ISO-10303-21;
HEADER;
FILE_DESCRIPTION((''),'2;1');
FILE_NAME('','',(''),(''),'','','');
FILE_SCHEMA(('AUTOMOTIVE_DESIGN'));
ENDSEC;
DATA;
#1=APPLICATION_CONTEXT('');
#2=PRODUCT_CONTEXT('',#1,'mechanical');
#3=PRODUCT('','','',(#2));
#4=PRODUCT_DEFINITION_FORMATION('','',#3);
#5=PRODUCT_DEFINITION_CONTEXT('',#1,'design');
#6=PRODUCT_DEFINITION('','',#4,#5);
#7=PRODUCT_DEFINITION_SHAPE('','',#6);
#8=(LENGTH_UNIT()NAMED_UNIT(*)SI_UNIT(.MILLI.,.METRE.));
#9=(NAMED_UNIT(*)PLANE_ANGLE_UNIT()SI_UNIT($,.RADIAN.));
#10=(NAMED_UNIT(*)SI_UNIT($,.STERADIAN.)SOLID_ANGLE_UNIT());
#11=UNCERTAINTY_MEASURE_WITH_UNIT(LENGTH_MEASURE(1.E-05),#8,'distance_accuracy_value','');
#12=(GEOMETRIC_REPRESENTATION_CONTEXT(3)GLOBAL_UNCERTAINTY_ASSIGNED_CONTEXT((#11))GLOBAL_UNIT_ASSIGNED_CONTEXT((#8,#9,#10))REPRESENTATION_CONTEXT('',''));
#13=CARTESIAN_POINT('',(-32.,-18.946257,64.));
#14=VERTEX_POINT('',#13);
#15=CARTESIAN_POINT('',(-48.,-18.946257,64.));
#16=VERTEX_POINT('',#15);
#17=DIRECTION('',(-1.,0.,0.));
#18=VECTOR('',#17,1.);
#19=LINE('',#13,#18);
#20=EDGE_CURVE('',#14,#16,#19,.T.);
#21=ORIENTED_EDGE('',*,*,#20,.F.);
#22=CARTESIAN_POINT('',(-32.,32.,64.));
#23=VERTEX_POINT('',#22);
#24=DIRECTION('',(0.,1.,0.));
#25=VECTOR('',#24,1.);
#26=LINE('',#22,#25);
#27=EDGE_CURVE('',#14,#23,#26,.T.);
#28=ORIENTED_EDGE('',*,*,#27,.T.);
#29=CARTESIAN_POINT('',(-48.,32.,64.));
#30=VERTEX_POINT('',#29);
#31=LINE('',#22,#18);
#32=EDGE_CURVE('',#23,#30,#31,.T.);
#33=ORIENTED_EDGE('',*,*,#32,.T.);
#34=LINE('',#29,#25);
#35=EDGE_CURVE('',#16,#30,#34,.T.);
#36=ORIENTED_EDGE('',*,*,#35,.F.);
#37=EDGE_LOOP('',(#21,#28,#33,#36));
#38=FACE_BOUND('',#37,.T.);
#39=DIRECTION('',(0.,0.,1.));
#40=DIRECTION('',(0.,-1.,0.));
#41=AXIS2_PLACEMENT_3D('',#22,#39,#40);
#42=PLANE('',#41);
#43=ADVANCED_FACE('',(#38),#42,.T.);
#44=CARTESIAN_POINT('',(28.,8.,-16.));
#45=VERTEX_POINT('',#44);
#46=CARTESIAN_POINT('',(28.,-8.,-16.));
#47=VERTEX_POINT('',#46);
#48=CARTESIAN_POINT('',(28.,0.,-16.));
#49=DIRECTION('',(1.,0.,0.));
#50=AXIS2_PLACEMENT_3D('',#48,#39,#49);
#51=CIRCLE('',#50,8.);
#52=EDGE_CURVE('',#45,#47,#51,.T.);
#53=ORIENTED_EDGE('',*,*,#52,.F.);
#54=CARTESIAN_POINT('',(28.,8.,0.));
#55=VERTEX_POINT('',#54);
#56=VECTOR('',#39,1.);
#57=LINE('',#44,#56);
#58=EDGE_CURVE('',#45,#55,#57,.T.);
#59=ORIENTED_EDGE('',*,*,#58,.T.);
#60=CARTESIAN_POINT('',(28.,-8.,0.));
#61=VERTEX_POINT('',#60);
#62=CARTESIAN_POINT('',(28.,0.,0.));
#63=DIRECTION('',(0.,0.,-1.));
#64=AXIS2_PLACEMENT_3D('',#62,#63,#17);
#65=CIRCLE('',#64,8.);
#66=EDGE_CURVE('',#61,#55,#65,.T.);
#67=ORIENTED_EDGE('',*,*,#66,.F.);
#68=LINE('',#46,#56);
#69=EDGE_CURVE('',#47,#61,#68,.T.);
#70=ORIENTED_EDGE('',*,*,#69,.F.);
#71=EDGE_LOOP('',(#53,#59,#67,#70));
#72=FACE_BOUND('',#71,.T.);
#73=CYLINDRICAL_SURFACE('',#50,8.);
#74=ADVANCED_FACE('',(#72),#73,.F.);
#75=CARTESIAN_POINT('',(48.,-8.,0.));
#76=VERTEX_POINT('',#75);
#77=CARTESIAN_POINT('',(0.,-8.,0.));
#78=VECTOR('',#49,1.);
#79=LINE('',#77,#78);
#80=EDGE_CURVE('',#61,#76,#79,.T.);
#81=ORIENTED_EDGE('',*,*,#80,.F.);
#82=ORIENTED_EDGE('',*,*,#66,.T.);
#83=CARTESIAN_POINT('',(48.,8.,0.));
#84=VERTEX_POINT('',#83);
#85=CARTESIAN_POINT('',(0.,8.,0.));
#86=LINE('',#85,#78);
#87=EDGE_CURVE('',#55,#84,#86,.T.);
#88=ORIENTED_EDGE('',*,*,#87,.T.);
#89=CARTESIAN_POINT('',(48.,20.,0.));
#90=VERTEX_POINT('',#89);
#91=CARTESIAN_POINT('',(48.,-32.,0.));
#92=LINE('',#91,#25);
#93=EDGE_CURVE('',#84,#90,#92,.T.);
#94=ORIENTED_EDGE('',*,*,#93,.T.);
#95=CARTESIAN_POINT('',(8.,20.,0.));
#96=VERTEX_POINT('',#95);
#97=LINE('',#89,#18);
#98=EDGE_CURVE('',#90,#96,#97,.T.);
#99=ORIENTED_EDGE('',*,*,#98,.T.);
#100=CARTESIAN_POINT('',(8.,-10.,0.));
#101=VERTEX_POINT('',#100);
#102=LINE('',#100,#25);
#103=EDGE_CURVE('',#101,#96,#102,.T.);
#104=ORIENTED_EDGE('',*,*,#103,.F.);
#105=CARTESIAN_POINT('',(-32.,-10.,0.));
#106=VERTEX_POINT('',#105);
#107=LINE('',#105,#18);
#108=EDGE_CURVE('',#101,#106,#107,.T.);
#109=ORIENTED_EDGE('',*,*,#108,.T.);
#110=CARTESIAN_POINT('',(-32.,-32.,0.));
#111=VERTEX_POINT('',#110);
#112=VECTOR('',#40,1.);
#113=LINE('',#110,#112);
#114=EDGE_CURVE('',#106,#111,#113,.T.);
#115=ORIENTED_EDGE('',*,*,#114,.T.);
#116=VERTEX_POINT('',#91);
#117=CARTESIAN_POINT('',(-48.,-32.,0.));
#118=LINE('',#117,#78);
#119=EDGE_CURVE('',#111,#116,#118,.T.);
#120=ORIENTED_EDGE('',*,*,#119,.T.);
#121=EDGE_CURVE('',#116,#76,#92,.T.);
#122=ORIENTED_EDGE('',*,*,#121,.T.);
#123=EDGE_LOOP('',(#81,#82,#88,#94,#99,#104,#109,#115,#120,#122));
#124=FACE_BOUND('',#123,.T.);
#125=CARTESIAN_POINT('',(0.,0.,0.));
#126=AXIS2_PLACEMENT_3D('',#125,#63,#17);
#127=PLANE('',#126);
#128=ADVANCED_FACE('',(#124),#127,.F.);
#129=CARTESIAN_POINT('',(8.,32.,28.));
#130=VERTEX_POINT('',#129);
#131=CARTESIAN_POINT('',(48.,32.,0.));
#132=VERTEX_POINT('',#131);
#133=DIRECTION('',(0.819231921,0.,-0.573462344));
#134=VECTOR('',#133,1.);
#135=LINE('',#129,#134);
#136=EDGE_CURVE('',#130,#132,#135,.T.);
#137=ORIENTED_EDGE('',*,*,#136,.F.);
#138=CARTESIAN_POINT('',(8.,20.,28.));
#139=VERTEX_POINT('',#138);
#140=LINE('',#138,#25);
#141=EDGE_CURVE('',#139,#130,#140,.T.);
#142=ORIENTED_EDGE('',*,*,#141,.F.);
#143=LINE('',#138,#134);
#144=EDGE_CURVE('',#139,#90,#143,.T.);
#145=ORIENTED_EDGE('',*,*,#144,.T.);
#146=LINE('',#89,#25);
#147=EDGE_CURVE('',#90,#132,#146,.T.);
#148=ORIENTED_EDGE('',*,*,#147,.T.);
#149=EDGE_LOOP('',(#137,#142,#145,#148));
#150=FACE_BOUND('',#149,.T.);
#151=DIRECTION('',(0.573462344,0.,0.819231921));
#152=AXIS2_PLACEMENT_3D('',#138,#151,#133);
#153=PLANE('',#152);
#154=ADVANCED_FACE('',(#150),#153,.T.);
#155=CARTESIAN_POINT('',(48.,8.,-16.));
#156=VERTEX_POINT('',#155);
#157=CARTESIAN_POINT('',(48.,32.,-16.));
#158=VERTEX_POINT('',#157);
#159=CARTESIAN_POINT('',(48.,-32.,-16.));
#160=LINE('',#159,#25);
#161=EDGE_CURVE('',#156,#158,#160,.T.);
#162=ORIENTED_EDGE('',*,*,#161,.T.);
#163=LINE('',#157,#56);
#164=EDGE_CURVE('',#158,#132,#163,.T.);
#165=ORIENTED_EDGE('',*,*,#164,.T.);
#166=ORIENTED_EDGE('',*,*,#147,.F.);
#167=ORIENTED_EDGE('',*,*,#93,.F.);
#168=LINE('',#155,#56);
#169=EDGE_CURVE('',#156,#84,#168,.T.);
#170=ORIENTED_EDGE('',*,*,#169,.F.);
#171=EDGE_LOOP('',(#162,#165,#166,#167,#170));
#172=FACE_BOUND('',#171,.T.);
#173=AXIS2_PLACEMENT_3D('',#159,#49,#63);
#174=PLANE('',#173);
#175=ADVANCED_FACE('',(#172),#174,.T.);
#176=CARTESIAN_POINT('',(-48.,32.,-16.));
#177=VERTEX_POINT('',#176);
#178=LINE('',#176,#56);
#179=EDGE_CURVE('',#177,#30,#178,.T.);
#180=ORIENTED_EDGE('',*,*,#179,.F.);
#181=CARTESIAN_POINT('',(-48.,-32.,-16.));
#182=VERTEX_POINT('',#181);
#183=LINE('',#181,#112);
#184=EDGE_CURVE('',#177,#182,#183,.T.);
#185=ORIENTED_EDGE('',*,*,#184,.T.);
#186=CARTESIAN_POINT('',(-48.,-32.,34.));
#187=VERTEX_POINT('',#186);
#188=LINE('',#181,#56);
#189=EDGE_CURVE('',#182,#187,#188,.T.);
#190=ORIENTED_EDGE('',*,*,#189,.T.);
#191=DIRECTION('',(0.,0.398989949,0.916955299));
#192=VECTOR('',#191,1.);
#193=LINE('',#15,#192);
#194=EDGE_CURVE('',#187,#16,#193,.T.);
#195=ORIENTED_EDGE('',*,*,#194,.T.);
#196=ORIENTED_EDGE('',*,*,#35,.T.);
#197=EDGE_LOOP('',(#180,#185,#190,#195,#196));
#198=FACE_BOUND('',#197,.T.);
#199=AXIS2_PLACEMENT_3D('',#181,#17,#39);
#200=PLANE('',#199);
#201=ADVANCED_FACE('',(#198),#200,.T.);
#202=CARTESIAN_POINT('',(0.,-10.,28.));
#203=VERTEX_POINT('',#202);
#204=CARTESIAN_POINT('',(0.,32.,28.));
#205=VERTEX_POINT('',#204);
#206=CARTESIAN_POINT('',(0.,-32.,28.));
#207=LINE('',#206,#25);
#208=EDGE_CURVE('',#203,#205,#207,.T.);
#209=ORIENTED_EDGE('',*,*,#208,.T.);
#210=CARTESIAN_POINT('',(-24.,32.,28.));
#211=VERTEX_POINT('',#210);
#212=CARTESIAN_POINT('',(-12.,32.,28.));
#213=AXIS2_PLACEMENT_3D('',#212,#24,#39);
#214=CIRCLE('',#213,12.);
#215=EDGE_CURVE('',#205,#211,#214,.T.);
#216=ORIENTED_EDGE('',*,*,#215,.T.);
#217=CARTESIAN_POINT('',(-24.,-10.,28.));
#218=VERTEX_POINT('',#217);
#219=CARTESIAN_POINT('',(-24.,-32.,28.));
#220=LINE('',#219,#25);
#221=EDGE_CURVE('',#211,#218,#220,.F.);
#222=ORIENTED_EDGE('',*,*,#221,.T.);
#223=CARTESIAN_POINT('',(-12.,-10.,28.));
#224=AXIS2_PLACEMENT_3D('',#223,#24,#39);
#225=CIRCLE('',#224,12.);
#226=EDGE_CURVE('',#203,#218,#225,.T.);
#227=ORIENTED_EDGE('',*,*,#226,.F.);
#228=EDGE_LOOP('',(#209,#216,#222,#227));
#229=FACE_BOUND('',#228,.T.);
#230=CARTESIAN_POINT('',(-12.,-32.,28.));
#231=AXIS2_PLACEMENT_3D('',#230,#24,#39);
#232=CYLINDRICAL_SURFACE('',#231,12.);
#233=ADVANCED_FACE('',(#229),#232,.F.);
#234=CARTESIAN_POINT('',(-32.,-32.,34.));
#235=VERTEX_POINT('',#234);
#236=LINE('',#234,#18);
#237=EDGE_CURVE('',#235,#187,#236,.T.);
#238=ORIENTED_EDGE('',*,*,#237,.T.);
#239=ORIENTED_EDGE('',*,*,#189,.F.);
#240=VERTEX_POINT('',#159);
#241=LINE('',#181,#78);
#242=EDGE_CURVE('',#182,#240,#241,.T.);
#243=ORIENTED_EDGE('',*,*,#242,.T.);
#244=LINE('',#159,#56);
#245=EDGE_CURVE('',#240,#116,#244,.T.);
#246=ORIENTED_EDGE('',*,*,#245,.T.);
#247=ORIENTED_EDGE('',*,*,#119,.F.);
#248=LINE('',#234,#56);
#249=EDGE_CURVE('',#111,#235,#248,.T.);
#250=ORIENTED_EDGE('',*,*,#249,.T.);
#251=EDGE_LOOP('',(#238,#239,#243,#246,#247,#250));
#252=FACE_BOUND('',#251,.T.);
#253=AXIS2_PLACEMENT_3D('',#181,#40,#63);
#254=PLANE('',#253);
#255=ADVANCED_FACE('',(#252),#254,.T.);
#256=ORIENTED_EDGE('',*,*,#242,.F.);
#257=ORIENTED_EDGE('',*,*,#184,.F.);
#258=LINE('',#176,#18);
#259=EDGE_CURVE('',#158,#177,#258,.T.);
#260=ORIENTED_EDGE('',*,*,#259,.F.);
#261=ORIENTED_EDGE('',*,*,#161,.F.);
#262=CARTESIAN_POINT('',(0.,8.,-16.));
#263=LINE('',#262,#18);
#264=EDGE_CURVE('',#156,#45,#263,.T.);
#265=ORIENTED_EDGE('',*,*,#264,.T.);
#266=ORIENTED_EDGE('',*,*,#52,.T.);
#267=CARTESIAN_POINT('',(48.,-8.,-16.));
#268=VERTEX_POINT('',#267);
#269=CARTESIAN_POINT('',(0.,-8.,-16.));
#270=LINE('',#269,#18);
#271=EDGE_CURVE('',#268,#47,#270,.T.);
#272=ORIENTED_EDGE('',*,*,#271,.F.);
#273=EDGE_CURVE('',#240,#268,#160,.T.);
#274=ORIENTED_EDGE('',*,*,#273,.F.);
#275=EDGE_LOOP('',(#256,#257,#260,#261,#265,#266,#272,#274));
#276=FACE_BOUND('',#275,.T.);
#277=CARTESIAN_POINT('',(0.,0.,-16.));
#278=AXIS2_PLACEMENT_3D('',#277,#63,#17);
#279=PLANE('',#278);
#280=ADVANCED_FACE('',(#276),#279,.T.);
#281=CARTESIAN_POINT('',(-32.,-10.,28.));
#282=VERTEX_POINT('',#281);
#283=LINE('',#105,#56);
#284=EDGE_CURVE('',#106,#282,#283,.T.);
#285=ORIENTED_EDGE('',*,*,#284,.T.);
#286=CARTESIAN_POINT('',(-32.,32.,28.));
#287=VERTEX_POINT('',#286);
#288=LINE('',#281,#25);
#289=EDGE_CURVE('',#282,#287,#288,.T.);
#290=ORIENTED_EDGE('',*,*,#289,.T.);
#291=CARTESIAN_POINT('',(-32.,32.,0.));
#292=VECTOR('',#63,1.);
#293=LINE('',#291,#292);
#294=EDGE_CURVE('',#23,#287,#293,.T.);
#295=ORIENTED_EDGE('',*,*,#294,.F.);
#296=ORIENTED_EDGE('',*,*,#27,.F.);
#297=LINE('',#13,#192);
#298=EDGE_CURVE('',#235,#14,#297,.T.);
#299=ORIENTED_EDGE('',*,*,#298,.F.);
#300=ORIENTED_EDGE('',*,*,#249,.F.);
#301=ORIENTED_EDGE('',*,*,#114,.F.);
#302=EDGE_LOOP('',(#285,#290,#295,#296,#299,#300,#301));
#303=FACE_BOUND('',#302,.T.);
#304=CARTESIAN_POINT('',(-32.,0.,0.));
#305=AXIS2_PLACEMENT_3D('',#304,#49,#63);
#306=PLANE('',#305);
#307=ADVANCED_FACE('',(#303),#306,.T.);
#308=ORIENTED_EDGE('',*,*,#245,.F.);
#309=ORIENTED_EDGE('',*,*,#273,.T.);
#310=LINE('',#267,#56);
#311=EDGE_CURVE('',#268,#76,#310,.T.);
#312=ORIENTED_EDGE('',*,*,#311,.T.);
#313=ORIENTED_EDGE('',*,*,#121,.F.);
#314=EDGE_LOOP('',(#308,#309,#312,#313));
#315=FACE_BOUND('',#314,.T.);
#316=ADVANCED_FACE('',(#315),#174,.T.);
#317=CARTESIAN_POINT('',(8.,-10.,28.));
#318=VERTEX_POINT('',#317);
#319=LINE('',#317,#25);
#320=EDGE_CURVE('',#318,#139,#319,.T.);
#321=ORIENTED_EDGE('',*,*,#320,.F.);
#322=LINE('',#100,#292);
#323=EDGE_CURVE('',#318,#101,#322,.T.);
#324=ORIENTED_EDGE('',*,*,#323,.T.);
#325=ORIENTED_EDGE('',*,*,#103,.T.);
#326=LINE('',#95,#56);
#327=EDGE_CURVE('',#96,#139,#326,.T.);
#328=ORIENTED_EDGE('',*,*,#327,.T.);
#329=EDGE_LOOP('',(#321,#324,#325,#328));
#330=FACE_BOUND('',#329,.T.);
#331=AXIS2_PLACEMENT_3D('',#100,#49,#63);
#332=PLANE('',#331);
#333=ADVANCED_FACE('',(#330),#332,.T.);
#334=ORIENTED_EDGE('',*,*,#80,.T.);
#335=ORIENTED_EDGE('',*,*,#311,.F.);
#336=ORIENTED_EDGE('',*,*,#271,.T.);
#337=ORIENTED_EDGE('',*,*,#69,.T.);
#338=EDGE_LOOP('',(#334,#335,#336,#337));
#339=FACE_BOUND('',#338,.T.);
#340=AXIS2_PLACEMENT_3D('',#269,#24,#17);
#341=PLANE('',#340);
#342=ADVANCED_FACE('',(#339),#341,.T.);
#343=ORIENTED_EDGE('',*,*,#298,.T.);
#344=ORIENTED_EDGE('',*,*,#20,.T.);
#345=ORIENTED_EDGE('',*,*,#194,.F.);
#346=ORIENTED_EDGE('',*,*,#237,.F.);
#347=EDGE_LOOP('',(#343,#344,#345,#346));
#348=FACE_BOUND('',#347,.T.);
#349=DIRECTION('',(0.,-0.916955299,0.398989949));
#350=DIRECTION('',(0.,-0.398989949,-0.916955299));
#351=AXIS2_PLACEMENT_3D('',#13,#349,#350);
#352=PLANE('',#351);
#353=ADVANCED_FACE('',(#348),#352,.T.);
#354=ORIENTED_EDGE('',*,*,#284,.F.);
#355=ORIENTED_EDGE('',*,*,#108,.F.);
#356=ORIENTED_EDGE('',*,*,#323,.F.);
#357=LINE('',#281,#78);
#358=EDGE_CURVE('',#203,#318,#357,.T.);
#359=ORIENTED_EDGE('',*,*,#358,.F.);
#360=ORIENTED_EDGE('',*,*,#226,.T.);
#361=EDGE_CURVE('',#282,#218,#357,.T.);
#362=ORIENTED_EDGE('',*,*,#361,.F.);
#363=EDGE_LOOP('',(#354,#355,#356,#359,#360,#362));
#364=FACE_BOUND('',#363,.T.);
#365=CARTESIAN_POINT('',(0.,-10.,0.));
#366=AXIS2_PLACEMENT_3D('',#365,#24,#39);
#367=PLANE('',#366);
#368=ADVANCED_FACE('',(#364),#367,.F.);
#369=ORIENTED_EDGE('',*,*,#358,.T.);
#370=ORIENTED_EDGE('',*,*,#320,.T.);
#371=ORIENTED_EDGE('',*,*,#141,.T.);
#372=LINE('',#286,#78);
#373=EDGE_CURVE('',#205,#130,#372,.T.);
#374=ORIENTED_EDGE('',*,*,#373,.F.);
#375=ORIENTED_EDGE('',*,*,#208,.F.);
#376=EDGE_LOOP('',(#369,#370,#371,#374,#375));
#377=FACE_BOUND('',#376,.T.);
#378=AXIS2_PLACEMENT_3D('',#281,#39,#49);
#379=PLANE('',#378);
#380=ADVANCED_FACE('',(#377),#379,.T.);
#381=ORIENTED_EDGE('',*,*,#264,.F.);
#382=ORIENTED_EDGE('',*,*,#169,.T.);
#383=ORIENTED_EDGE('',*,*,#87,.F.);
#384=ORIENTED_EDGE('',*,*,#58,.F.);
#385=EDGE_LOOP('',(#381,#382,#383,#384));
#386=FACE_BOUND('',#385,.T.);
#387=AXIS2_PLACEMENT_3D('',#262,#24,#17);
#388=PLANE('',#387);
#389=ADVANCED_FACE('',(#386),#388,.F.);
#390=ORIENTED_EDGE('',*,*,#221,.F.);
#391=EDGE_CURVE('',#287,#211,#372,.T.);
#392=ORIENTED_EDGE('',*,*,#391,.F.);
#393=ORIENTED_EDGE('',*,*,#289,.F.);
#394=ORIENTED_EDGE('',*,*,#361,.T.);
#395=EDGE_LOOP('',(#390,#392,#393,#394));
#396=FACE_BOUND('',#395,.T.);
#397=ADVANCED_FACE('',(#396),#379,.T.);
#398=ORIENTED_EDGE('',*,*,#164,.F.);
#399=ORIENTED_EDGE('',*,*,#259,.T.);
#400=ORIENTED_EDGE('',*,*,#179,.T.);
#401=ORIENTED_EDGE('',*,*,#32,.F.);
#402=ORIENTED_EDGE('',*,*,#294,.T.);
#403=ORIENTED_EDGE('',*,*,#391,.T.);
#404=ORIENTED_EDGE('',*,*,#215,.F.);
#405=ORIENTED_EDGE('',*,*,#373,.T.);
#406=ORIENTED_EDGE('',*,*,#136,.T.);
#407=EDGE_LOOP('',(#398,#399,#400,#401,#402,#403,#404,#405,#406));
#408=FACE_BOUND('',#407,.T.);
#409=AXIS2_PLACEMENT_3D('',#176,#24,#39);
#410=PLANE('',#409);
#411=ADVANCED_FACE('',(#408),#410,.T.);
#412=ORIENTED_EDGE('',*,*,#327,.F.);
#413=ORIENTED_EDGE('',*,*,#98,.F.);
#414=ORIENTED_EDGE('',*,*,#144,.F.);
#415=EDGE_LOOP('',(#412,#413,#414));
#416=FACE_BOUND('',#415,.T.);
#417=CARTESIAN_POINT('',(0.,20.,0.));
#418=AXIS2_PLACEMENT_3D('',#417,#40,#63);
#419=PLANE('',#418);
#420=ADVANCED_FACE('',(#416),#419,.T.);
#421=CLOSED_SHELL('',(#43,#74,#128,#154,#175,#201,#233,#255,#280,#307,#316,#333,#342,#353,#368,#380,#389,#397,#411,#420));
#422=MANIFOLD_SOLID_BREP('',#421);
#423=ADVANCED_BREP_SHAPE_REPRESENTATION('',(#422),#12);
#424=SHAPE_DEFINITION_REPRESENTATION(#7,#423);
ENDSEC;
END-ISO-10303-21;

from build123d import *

# Parameters (mm, degrees)
SKETCH1_W               = 96
SKETCH1_H               = 64
BOSS_EXTRUDE1_DEPTH     = 16
BOSS_EXTRUDE2_DEPTH     = 16
SKETCH3_W               = 40
SKETCH3_H               = 28
BOSS_EXTRUDE3_DEPTH     = 42
BOSS_EXTRUDE4_DEPTH     = 12
CUT_EXTRUDE1_DEPTH      = 87.162636914
CUT_EXTRUDE1_DEPTH_BACK = 87.162636914
SKETCH6_R               = 12
CUT_EXTRUDE2_DEPTH      = 103.449987799


with BuildPart() as part:
    # Sketch1 → Boss-Extrude1 (new body)
    with BuildSketch(Plane.XY):
        Rectangle(SKETCH1_W, SKETCH1_H)
    extrude(amount=-BOSS_EXTRUDE1_DEPTH)

    # Sketch2 → Boss-Extrude2 (add)
    with BuildSketch(Plane.ZY.offset(48)):
        Polygon((0, 32), (64, 32), (64, -18.946257373), (34, -32), (0, -32), align=None)
    extrude(amount=-BOSS_EXTRUDE2_DEPTH)

    # Sketch3 → Boss-Extrude3 (add)
    with BuildSketch(Plane(origin=(0, 32, 0), x_dir=(1, 0, 0), z_dir=(0, 1, 0))):
        with Locations((-12, -14)):
            Rectangle(SKETCH3_W, SKETCH3_H)
    extrude(amount=-BOSS_EXTRUDE3_DEPTH)

    # Sketch4 → Boss-Extrude4 (add)
    with BuildSketch(Plane(origin=(0, 32, 0), x_dir=(1, 0, 0), z_dir=(0, 1, 0))):
        Polygon((8, -28), (48, 0), (8, 0), align=None)
    extrude(amount=-BOSS_EXTRUDE4_DEPTH)

    # Sketch5 → Cut-Extrude1 (cut, two sides: drawn at the far end of the back side and taken through both)
    with BuildSketch(Plane.XY.offset(-CUT_EXTRUDE1_DEPTH_BACK)):
        with BuildLine():
            Line((48, -8), (48, 8))
            Line((48, 8), (28, 8))
            ThreePointArc((28, 8), (20, 0), (28, -8))
            Line((28, -8), (48, -8))
        make_face()
    extrude(amount=CUT_EXTRUDE1_DEPTH + CUT_EXTRUDE1_DEPTH_BACK, mode=Mode.SUBTRACT)

    # Sketch6 → Cut-Extrude2 (cut, through all)
    with BuildSketch(Plane(origin=(0, 32, 0), x_dir=(1, 0, 0), z_dir=(0, 1, 0))):
        with Locations((-12, -28)):
            Circle(SKETCH6_R)
    extrude(amount=-CUT_EXTRUDE2_DEPTH, mode=Mode.SUBTRACT)


solid = part.part
